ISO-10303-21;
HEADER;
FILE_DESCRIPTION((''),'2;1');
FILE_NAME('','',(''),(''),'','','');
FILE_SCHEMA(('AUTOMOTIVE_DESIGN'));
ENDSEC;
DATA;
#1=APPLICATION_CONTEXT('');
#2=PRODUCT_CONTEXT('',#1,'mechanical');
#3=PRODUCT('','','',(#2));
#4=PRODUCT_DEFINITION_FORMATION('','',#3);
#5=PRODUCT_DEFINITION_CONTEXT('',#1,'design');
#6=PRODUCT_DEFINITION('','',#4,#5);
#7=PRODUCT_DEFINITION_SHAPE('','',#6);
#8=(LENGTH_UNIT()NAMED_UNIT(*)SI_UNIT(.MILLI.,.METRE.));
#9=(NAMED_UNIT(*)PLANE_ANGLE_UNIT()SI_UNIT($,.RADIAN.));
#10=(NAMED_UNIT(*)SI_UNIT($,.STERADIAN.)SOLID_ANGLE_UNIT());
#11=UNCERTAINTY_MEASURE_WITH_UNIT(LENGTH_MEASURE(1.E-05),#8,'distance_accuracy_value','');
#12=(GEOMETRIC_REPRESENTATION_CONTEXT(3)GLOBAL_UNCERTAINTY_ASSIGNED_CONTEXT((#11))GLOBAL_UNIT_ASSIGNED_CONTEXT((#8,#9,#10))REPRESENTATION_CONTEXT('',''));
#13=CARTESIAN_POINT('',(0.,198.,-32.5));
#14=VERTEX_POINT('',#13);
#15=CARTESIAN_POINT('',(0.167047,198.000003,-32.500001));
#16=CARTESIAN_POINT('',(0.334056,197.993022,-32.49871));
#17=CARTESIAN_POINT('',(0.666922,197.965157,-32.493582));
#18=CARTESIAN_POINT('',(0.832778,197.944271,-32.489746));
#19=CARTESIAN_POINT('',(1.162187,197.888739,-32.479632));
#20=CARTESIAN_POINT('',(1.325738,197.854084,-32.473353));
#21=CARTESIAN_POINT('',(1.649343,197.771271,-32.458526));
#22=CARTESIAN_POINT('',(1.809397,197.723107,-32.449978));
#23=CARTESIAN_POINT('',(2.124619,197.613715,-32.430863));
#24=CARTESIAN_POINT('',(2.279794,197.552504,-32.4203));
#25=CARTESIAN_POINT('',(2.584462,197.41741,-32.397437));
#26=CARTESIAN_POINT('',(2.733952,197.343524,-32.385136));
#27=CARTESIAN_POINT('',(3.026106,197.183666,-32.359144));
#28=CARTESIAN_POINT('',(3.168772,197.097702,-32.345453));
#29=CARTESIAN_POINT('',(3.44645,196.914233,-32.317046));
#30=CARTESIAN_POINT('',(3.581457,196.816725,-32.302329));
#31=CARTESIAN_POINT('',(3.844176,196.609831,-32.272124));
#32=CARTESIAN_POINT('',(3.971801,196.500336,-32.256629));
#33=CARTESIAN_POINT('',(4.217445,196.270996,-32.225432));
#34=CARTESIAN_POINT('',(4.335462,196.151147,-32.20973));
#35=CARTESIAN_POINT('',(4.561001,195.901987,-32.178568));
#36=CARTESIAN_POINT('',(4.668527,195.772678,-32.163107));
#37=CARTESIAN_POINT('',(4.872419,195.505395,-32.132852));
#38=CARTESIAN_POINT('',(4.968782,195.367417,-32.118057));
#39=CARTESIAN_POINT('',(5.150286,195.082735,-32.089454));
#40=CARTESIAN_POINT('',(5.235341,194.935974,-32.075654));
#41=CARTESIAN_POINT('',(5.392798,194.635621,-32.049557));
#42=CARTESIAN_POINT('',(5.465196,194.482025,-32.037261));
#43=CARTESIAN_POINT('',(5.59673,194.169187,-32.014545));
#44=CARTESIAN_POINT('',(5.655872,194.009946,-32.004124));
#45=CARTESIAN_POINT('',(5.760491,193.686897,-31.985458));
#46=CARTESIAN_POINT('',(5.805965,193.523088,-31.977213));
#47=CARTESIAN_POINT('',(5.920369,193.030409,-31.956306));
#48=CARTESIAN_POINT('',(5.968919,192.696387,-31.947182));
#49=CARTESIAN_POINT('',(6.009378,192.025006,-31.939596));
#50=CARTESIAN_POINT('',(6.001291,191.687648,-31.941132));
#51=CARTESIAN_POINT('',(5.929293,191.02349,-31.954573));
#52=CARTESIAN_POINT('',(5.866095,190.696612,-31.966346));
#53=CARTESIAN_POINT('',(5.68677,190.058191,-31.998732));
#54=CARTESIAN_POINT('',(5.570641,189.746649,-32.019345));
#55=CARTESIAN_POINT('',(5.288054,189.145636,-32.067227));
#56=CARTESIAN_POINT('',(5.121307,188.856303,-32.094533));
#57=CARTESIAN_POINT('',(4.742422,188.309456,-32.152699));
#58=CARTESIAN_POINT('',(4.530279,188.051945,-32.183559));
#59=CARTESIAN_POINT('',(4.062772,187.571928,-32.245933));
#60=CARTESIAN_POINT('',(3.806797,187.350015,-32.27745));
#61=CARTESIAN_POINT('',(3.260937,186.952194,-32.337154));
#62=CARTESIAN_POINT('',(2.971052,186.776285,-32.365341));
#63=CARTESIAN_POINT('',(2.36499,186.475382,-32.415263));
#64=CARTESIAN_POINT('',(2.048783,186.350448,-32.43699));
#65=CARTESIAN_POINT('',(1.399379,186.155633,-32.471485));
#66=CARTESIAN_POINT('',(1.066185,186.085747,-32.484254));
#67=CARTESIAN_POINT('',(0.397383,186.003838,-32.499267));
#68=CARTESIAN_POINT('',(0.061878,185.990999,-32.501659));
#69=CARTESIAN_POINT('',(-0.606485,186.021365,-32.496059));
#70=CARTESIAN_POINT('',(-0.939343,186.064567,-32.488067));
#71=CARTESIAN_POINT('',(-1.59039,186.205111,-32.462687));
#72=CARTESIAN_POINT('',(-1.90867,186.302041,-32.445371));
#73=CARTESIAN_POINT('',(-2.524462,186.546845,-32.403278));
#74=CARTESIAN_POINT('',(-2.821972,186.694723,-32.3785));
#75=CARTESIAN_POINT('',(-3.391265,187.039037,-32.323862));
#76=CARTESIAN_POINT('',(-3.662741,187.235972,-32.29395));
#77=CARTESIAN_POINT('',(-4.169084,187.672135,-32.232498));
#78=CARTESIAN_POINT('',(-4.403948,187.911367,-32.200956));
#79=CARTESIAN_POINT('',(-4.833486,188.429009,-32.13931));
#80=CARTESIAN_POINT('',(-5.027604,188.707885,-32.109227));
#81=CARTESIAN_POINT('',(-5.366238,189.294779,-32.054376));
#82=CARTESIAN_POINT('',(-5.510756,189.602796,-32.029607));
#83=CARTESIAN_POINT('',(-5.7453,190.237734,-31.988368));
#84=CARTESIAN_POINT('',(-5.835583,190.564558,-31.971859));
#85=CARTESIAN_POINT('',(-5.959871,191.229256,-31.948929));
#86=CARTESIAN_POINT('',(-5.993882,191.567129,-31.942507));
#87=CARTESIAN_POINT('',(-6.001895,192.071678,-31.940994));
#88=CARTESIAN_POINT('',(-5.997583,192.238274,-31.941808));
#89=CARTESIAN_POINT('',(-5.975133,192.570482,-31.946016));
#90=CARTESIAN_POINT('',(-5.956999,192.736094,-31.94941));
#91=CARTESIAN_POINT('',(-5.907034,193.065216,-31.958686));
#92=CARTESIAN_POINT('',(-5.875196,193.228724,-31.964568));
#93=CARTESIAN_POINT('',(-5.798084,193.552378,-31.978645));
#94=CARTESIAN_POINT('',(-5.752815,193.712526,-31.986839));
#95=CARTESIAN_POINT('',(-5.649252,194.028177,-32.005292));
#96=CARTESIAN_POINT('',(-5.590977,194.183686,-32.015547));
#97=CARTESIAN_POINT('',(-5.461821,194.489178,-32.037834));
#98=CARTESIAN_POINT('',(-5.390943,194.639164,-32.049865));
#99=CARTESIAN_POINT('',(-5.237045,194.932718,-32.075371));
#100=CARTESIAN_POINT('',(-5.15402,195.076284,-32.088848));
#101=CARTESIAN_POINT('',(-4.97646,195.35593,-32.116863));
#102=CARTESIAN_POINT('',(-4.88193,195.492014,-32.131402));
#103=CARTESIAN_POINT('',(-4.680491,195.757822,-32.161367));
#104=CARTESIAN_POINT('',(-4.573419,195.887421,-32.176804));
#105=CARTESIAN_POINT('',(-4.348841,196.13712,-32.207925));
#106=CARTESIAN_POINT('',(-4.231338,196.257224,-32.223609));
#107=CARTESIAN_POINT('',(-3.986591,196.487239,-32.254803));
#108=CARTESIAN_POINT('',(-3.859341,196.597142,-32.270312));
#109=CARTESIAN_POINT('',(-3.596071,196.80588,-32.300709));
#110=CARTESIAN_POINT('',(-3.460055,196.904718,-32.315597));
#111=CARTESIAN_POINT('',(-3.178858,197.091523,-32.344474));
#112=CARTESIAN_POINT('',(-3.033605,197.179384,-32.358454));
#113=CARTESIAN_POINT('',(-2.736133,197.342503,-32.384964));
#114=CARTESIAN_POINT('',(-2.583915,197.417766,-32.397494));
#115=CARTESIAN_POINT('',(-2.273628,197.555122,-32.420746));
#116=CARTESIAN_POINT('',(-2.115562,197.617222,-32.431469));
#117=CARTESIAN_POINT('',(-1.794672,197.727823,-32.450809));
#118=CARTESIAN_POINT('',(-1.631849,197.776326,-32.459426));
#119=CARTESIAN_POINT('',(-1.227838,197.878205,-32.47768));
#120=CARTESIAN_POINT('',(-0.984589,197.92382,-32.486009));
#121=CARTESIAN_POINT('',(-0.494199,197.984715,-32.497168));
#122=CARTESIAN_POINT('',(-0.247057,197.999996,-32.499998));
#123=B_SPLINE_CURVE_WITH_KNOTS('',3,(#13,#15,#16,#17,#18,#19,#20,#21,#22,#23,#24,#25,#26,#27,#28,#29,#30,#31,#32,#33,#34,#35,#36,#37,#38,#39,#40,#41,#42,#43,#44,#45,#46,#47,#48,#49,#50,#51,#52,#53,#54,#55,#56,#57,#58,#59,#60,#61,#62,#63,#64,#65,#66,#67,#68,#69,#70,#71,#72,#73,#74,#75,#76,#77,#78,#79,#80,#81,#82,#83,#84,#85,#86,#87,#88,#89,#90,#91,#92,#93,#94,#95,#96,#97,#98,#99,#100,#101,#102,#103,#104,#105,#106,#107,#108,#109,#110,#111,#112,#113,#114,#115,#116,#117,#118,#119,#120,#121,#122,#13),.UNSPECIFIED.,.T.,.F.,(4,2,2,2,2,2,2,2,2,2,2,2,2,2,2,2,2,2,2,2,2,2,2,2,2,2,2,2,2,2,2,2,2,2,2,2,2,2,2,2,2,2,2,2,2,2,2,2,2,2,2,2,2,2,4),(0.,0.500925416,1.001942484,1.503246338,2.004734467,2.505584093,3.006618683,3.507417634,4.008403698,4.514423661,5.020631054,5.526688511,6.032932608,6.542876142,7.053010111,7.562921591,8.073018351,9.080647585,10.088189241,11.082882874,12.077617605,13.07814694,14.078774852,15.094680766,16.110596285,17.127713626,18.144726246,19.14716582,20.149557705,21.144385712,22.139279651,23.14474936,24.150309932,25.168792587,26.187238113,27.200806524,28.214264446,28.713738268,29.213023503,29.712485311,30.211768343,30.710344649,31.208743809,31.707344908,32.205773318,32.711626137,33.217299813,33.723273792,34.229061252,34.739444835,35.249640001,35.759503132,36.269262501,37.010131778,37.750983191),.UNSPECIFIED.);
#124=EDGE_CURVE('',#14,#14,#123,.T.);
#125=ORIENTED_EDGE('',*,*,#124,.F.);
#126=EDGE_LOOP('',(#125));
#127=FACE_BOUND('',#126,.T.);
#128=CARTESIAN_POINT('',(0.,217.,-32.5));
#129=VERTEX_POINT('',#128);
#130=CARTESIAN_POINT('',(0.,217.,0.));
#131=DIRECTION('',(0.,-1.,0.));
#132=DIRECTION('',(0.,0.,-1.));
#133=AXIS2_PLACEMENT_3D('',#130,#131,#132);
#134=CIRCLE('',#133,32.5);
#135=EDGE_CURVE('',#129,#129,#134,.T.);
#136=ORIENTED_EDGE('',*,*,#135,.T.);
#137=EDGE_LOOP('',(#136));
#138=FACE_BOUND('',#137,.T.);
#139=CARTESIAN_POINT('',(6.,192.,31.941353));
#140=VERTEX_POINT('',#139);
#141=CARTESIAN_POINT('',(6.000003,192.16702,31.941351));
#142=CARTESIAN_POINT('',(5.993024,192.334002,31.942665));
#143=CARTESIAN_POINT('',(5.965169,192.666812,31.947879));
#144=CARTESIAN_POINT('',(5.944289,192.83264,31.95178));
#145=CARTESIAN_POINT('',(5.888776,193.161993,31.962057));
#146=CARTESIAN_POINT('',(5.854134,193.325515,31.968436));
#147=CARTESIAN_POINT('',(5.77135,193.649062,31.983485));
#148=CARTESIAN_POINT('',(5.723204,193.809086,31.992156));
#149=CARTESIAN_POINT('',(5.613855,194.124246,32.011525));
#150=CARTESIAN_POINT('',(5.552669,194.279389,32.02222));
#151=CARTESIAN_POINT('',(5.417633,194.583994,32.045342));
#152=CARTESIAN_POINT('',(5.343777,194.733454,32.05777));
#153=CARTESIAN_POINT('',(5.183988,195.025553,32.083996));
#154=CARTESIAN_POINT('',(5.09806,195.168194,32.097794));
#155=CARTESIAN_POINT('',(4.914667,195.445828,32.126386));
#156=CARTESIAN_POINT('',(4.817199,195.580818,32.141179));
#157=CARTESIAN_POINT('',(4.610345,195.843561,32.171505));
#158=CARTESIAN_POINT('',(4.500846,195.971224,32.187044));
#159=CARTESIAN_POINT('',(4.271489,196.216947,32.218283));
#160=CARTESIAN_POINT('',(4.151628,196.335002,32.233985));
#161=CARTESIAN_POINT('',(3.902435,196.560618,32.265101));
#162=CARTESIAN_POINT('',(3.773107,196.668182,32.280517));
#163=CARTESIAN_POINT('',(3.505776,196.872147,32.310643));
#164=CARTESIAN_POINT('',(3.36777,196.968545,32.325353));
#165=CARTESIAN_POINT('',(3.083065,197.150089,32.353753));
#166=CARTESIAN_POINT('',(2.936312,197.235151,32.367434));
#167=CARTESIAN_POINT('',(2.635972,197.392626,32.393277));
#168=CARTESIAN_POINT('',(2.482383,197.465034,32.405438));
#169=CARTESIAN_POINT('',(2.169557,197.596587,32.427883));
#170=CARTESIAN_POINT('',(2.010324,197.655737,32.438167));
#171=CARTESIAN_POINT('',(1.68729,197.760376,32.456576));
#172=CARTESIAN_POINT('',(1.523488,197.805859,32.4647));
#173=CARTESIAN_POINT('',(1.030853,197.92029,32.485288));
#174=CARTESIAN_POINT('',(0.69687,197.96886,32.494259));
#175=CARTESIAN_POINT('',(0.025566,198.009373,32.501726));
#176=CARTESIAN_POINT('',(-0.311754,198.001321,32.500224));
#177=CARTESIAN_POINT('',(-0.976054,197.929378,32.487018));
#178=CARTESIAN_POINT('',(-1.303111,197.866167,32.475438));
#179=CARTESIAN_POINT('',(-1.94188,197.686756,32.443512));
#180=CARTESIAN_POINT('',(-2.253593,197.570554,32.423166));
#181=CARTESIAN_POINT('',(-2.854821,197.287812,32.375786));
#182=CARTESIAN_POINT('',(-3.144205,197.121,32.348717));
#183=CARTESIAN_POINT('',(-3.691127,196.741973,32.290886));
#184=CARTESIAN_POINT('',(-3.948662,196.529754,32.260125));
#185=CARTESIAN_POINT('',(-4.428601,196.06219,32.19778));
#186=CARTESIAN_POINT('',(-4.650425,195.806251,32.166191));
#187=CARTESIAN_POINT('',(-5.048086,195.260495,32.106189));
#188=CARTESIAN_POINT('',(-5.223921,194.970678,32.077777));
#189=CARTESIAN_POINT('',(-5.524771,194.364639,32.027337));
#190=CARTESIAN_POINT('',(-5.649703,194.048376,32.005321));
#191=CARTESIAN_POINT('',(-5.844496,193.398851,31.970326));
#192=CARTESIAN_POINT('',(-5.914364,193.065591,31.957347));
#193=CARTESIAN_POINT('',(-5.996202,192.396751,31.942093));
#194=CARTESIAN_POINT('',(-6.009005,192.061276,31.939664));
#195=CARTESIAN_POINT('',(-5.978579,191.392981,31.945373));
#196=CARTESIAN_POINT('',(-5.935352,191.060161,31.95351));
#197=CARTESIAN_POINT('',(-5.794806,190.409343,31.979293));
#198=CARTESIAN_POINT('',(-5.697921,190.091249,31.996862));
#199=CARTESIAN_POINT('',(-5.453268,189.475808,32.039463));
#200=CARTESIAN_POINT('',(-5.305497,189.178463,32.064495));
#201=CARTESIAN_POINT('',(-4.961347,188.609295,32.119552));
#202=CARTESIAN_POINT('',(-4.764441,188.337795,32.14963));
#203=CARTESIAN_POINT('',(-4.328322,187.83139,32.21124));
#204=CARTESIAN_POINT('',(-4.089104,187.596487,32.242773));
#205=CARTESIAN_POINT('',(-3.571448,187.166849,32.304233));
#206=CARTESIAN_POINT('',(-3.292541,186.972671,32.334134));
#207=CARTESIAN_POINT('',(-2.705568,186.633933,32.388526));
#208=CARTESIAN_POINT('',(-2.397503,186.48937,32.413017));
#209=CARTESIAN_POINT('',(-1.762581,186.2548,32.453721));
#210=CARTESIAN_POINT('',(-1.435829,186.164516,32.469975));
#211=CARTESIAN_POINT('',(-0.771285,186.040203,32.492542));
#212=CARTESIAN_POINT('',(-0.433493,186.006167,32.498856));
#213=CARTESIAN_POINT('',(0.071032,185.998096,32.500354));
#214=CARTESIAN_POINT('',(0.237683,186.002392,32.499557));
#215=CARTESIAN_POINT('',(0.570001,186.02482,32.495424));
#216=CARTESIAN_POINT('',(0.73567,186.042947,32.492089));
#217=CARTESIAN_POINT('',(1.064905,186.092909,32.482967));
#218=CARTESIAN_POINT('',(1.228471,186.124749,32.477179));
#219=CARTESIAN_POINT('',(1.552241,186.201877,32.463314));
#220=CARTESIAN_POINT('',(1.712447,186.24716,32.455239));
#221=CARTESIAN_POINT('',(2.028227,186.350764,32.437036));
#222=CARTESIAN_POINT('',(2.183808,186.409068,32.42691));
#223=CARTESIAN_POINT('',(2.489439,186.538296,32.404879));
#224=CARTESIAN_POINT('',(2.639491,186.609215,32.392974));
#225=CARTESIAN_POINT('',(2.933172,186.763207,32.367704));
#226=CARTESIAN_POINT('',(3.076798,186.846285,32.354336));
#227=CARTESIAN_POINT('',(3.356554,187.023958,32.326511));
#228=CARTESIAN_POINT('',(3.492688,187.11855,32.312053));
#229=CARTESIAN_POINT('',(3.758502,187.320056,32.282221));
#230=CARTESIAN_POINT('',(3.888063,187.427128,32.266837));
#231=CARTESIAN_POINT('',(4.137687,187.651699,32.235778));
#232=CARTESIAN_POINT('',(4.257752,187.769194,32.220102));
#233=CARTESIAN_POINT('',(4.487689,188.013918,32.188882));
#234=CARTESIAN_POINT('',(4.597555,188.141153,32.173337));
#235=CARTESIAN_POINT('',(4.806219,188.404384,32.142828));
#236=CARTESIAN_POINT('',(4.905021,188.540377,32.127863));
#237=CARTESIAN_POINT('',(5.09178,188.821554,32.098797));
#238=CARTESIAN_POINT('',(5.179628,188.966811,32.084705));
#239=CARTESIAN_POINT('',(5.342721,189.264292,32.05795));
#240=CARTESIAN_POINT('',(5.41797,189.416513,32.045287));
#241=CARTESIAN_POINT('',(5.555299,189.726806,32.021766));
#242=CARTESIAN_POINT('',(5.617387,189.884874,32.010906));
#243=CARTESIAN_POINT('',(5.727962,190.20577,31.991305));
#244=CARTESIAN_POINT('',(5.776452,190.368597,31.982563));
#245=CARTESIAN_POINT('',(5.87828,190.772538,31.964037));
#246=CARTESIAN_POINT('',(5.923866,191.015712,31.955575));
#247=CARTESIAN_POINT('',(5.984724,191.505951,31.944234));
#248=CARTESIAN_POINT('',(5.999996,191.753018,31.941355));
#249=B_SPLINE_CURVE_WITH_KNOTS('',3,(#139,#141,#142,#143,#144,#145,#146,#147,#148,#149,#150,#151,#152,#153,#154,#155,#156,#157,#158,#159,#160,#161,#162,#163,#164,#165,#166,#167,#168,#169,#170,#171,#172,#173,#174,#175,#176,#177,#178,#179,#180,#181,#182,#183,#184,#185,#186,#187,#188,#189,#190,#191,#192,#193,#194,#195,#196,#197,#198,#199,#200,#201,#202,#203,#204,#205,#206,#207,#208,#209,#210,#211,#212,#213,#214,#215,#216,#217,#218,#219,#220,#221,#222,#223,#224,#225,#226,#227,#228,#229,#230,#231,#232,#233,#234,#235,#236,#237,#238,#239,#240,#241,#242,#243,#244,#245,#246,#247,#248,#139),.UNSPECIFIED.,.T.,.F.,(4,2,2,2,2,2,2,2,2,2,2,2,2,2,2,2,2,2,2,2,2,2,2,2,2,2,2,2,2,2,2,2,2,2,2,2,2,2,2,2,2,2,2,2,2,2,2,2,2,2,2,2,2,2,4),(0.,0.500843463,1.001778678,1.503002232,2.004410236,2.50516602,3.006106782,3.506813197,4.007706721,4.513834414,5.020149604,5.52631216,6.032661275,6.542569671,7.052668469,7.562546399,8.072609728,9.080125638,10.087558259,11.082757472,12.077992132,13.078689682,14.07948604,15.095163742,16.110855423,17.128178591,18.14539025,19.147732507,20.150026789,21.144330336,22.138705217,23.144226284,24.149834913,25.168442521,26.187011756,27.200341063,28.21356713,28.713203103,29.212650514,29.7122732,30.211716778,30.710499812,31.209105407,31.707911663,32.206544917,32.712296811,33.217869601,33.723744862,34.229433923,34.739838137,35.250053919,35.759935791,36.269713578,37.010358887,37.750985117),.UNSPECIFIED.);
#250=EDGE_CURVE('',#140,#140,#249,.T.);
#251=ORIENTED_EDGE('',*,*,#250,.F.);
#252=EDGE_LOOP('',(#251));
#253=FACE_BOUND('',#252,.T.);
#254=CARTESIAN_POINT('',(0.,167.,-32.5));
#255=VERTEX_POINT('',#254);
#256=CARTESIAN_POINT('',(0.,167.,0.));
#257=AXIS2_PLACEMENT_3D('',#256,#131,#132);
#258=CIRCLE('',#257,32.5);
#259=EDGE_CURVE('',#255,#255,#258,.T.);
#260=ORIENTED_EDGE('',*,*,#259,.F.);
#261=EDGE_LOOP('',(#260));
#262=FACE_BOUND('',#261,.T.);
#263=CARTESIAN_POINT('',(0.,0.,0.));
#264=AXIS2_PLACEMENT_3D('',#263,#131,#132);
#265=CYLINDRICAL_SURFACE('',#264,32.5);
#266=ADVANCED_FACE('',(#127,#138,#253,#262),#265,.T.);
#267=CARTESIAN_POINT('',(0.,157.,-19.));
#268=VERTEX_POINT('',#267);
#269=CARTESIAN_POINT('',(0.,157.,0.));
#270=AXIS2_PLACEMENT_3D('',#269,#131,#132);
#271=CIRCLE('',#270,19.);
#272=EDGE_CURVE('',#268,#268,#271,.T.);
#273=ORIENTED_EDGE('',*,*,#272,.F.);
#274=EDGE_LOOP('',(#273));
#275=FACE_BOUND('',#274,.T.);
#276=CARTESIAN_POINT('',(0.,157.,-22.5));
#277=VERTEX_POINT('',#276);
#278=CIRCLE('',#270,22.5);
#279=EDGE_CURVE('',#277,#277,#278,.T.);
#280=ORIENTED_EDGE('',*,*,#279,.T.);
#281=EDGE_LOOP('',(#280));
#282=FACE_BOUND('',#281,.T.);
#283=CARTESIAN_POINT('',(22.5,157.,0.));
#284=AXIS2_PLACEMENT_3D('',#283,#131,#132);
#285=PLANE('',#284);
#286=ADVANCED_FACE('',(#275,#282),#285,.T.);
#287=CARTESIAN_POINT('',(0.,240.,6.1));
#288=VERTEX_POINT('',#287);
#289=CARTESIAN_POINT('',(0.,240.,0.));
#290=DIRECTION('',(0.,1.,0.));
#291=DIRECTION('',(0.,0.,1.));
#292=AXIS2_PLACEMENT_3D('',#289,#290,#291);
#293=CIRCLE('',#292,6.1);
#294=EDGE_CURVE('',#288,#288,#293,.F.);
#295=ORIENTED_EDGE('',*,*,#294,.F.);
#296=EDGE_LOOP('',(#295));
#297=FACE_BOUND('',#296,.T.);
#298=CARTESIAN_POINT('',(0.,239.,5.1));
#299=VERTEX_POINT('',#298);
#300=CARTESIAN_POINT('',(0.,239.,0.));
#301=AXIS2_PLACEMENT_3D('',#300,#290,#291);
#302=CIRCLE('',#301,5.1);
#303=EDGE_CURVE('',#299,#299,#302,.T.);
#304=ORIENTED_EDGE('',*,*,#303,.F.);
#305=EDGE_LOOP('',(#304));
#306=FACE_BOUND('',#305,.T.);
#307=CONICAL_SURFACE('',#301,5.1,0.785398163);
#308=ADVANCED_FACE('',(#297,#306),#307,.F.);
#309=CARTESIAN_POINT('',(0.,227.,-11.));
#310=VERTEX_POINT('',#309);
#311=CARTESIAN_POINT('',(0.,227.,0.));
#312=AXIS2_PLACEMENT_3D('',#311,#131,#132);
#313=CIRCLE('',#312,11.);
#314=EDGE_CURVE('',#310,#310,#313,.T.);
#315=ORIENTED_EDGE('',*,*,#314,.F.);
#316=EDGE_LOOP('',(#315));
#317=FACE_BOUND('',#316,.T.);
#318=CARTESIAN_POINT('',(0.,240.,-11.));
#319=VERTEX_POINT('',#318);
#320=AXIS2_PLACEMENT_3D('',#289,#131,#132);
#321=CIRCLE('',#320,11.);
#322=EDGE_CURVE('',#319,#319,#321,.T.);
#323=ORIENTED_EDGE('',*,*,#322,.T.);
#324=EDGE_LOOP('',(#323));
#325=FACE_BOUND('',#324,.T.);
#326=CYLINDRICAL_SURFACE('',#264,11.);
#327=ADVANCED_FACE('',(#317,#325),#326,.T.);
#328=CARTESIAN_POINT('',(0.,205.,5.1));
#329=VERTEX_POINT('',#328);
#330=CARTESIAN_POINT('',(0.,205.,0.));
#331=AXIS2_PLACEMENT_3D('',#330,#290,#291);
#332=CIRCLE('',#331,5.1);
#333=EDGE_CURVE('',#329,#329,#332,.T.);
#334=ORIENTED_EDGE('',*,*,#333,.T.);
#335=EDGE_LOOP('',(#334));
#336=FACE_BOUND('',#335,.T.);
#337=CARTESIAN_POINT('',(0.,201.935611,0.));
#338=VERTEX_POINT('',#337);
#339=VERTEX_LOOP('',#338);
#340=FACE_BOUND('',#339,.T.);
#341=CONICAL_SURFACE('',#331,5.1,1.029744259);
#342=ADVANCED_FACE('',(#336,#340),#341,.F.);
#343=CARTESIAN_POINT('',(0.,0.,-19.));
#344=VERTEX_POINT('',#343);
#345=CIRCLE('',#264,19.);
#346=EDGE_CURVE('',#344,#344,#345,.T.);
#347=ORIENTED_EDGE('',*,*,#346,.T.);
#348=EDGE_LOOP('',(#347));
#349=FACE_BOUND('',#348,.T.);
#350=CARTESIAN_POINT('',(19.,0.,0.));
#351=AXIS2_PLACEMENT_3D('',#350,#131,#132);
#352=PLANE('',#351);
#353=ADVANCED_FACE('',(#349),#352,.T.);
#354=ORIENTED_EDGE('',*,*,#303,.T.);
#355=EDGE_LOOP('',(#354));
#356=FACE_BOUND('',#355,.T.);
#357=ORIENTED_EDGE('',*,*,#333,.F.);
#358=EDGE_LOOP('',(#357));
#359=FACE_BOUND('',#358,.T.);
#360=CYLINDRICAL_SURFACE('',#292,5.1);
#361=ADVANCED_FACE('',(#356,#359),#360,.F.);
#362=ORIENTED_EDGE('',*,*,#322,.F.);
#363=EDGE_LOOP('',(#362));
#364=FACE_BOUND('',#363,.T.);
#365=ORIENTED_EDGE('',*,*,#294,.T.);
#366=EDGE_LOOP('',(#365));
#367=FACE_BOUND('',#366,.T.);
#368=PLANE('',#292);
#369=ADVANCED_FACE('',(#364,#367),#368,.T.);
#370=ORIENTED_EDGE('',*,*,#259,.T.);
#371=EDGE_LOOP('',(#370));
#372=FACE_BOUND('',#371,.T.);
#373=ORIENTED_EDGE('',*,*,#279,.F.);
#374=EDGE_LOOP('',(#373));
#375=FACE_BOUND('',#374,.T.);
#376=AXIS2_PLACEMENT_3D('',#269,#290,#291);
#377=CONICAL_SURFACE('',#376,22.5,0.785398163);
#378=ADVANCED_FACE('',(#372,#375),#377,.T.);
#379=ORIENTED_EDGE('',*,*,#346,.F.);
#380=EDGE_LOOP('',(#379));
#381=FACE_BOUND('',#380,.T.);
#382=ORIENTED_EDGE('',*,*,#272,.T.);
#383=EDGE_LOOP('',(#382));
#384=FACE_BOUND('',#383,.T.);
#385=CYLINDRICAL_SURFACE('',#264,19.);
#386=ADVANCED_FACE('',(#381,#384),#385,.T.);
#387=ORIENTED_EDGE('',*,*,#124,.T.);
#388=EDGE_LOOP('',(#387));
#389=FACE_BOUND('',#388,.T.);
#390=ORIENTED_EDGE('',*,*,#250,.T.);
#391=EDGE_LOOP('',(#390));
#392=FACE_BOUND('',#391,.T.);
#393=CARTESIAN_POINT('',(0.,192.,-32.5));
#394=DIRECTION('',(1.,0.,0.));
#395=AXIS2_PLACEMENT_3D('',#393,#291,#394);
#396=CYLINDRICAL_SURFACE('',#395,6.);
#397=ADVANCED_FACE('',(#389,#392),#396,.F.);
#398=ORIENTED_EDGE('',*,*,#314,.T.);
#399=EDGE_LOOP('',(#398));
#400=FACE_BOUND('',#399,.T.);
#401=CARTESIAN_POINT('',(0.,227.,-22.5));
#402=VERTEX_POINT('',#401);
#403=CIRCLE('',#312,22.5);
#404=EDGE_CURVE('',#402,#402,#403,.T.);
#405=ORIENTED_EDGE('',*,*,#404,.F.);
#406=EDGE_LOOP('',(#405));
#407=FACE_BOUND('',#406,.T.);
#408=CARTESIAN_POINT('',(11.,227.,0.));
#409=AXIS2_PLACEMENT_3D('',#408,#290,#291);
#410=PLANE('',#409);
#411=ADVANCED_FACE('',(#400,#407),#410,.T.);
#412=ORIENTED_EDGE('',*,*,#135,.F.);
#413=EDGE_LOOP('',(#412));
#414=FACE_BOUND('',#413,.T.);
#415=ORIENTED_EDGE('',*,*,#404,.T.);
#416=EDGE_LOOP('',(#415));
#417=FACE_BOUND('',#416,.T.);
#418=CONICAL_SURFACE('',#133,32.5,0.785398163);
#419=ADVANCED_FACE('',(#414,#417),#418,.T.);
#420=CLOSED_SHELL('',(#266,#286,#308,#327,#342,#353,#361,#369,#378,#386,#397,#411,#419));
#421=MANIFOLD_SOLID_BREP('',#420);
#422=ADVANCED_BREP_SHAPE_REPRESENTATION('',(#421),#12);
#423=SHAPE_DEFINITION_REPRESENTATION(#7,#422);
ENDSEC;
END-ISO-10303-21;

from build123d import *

# Parameters (mm, degrees)
M12_TAPPED_HOLE1_D      = 10.2
M12_TAPPED_HOLE1_DEPTH  = 35
M12_TAPPED_HOLE1_TIP    = 3.064389157
CUT_EXTRUDE1_DEPTH      = 245.361412666
CUT_EXTRUDE1_DEPTH_BACK = 245.361412666
SKETCH4_R               = 6
CHAMFER1_SIZE           = 1


with BuildPart() as part:
    # Sketch1 → Revolve1 (revolve)
    with BuildSketch(Plane.XY, mode=Mode.PRIVATE) as revolve1_sk:
        Polygon((0, 0), (0, 240), (11, 240), (11, 227), (22.5, 227), (32.5, 217), (32.5, 167), (22.5, 157), (19, 157), (19, 0), align=None)
    revolve(revolve1_sk.sketch.rotate(Axis((0, 0, 0), (0, 1, 0)), 90), axis=Axis((0, 0, 0), (0, 1, 0)))

    # M12 Tapped Hole1
    with Locations(Plane.ZX.offset(240)):
        with Locations((0, 0)):
            Hole(M12_TAPPED_HOLE1_D / 2, depth=M12_TAPPED_HOLE1_DEPTH)
            with Locations((0, 0, -(M12_TAPPED_HOLE1_DEPTH + M12_TAPPED_HOLE1_TIP / 2))):  # 118° drill point
                Cone(0, M12_TAPPED_HOLE1_D / 2, M12_TAPPED_HOLE1_TIP, mode=Mode.SUBTRACT)

    # Sketch4 → Cut-Extrude1 (cut, two sides: drawn at the far end of the back side and taken through both)
    with BuildSketch(Plane.XY.offset(-CUT_EXTRUDE1_DEPTH_BACK)):
        with Locations((0, 192)):
            Circle(SKETCH4_R)
    extrude(amount=CUT_EXTRUDE1_DEPTH + CUT_EXTRUDE1_DEPTH_BACK, mode=Mode.SUBTRACT)

    # Chamfer1
    chamfer1_edges = [part.edges().sort_by_distance(p)[0] for p in [
        (0, 240, 5.1),
    ]]
    chamfer(chamfer1_edges, length=CHAMFER1_SIZE)


solid = part.part
